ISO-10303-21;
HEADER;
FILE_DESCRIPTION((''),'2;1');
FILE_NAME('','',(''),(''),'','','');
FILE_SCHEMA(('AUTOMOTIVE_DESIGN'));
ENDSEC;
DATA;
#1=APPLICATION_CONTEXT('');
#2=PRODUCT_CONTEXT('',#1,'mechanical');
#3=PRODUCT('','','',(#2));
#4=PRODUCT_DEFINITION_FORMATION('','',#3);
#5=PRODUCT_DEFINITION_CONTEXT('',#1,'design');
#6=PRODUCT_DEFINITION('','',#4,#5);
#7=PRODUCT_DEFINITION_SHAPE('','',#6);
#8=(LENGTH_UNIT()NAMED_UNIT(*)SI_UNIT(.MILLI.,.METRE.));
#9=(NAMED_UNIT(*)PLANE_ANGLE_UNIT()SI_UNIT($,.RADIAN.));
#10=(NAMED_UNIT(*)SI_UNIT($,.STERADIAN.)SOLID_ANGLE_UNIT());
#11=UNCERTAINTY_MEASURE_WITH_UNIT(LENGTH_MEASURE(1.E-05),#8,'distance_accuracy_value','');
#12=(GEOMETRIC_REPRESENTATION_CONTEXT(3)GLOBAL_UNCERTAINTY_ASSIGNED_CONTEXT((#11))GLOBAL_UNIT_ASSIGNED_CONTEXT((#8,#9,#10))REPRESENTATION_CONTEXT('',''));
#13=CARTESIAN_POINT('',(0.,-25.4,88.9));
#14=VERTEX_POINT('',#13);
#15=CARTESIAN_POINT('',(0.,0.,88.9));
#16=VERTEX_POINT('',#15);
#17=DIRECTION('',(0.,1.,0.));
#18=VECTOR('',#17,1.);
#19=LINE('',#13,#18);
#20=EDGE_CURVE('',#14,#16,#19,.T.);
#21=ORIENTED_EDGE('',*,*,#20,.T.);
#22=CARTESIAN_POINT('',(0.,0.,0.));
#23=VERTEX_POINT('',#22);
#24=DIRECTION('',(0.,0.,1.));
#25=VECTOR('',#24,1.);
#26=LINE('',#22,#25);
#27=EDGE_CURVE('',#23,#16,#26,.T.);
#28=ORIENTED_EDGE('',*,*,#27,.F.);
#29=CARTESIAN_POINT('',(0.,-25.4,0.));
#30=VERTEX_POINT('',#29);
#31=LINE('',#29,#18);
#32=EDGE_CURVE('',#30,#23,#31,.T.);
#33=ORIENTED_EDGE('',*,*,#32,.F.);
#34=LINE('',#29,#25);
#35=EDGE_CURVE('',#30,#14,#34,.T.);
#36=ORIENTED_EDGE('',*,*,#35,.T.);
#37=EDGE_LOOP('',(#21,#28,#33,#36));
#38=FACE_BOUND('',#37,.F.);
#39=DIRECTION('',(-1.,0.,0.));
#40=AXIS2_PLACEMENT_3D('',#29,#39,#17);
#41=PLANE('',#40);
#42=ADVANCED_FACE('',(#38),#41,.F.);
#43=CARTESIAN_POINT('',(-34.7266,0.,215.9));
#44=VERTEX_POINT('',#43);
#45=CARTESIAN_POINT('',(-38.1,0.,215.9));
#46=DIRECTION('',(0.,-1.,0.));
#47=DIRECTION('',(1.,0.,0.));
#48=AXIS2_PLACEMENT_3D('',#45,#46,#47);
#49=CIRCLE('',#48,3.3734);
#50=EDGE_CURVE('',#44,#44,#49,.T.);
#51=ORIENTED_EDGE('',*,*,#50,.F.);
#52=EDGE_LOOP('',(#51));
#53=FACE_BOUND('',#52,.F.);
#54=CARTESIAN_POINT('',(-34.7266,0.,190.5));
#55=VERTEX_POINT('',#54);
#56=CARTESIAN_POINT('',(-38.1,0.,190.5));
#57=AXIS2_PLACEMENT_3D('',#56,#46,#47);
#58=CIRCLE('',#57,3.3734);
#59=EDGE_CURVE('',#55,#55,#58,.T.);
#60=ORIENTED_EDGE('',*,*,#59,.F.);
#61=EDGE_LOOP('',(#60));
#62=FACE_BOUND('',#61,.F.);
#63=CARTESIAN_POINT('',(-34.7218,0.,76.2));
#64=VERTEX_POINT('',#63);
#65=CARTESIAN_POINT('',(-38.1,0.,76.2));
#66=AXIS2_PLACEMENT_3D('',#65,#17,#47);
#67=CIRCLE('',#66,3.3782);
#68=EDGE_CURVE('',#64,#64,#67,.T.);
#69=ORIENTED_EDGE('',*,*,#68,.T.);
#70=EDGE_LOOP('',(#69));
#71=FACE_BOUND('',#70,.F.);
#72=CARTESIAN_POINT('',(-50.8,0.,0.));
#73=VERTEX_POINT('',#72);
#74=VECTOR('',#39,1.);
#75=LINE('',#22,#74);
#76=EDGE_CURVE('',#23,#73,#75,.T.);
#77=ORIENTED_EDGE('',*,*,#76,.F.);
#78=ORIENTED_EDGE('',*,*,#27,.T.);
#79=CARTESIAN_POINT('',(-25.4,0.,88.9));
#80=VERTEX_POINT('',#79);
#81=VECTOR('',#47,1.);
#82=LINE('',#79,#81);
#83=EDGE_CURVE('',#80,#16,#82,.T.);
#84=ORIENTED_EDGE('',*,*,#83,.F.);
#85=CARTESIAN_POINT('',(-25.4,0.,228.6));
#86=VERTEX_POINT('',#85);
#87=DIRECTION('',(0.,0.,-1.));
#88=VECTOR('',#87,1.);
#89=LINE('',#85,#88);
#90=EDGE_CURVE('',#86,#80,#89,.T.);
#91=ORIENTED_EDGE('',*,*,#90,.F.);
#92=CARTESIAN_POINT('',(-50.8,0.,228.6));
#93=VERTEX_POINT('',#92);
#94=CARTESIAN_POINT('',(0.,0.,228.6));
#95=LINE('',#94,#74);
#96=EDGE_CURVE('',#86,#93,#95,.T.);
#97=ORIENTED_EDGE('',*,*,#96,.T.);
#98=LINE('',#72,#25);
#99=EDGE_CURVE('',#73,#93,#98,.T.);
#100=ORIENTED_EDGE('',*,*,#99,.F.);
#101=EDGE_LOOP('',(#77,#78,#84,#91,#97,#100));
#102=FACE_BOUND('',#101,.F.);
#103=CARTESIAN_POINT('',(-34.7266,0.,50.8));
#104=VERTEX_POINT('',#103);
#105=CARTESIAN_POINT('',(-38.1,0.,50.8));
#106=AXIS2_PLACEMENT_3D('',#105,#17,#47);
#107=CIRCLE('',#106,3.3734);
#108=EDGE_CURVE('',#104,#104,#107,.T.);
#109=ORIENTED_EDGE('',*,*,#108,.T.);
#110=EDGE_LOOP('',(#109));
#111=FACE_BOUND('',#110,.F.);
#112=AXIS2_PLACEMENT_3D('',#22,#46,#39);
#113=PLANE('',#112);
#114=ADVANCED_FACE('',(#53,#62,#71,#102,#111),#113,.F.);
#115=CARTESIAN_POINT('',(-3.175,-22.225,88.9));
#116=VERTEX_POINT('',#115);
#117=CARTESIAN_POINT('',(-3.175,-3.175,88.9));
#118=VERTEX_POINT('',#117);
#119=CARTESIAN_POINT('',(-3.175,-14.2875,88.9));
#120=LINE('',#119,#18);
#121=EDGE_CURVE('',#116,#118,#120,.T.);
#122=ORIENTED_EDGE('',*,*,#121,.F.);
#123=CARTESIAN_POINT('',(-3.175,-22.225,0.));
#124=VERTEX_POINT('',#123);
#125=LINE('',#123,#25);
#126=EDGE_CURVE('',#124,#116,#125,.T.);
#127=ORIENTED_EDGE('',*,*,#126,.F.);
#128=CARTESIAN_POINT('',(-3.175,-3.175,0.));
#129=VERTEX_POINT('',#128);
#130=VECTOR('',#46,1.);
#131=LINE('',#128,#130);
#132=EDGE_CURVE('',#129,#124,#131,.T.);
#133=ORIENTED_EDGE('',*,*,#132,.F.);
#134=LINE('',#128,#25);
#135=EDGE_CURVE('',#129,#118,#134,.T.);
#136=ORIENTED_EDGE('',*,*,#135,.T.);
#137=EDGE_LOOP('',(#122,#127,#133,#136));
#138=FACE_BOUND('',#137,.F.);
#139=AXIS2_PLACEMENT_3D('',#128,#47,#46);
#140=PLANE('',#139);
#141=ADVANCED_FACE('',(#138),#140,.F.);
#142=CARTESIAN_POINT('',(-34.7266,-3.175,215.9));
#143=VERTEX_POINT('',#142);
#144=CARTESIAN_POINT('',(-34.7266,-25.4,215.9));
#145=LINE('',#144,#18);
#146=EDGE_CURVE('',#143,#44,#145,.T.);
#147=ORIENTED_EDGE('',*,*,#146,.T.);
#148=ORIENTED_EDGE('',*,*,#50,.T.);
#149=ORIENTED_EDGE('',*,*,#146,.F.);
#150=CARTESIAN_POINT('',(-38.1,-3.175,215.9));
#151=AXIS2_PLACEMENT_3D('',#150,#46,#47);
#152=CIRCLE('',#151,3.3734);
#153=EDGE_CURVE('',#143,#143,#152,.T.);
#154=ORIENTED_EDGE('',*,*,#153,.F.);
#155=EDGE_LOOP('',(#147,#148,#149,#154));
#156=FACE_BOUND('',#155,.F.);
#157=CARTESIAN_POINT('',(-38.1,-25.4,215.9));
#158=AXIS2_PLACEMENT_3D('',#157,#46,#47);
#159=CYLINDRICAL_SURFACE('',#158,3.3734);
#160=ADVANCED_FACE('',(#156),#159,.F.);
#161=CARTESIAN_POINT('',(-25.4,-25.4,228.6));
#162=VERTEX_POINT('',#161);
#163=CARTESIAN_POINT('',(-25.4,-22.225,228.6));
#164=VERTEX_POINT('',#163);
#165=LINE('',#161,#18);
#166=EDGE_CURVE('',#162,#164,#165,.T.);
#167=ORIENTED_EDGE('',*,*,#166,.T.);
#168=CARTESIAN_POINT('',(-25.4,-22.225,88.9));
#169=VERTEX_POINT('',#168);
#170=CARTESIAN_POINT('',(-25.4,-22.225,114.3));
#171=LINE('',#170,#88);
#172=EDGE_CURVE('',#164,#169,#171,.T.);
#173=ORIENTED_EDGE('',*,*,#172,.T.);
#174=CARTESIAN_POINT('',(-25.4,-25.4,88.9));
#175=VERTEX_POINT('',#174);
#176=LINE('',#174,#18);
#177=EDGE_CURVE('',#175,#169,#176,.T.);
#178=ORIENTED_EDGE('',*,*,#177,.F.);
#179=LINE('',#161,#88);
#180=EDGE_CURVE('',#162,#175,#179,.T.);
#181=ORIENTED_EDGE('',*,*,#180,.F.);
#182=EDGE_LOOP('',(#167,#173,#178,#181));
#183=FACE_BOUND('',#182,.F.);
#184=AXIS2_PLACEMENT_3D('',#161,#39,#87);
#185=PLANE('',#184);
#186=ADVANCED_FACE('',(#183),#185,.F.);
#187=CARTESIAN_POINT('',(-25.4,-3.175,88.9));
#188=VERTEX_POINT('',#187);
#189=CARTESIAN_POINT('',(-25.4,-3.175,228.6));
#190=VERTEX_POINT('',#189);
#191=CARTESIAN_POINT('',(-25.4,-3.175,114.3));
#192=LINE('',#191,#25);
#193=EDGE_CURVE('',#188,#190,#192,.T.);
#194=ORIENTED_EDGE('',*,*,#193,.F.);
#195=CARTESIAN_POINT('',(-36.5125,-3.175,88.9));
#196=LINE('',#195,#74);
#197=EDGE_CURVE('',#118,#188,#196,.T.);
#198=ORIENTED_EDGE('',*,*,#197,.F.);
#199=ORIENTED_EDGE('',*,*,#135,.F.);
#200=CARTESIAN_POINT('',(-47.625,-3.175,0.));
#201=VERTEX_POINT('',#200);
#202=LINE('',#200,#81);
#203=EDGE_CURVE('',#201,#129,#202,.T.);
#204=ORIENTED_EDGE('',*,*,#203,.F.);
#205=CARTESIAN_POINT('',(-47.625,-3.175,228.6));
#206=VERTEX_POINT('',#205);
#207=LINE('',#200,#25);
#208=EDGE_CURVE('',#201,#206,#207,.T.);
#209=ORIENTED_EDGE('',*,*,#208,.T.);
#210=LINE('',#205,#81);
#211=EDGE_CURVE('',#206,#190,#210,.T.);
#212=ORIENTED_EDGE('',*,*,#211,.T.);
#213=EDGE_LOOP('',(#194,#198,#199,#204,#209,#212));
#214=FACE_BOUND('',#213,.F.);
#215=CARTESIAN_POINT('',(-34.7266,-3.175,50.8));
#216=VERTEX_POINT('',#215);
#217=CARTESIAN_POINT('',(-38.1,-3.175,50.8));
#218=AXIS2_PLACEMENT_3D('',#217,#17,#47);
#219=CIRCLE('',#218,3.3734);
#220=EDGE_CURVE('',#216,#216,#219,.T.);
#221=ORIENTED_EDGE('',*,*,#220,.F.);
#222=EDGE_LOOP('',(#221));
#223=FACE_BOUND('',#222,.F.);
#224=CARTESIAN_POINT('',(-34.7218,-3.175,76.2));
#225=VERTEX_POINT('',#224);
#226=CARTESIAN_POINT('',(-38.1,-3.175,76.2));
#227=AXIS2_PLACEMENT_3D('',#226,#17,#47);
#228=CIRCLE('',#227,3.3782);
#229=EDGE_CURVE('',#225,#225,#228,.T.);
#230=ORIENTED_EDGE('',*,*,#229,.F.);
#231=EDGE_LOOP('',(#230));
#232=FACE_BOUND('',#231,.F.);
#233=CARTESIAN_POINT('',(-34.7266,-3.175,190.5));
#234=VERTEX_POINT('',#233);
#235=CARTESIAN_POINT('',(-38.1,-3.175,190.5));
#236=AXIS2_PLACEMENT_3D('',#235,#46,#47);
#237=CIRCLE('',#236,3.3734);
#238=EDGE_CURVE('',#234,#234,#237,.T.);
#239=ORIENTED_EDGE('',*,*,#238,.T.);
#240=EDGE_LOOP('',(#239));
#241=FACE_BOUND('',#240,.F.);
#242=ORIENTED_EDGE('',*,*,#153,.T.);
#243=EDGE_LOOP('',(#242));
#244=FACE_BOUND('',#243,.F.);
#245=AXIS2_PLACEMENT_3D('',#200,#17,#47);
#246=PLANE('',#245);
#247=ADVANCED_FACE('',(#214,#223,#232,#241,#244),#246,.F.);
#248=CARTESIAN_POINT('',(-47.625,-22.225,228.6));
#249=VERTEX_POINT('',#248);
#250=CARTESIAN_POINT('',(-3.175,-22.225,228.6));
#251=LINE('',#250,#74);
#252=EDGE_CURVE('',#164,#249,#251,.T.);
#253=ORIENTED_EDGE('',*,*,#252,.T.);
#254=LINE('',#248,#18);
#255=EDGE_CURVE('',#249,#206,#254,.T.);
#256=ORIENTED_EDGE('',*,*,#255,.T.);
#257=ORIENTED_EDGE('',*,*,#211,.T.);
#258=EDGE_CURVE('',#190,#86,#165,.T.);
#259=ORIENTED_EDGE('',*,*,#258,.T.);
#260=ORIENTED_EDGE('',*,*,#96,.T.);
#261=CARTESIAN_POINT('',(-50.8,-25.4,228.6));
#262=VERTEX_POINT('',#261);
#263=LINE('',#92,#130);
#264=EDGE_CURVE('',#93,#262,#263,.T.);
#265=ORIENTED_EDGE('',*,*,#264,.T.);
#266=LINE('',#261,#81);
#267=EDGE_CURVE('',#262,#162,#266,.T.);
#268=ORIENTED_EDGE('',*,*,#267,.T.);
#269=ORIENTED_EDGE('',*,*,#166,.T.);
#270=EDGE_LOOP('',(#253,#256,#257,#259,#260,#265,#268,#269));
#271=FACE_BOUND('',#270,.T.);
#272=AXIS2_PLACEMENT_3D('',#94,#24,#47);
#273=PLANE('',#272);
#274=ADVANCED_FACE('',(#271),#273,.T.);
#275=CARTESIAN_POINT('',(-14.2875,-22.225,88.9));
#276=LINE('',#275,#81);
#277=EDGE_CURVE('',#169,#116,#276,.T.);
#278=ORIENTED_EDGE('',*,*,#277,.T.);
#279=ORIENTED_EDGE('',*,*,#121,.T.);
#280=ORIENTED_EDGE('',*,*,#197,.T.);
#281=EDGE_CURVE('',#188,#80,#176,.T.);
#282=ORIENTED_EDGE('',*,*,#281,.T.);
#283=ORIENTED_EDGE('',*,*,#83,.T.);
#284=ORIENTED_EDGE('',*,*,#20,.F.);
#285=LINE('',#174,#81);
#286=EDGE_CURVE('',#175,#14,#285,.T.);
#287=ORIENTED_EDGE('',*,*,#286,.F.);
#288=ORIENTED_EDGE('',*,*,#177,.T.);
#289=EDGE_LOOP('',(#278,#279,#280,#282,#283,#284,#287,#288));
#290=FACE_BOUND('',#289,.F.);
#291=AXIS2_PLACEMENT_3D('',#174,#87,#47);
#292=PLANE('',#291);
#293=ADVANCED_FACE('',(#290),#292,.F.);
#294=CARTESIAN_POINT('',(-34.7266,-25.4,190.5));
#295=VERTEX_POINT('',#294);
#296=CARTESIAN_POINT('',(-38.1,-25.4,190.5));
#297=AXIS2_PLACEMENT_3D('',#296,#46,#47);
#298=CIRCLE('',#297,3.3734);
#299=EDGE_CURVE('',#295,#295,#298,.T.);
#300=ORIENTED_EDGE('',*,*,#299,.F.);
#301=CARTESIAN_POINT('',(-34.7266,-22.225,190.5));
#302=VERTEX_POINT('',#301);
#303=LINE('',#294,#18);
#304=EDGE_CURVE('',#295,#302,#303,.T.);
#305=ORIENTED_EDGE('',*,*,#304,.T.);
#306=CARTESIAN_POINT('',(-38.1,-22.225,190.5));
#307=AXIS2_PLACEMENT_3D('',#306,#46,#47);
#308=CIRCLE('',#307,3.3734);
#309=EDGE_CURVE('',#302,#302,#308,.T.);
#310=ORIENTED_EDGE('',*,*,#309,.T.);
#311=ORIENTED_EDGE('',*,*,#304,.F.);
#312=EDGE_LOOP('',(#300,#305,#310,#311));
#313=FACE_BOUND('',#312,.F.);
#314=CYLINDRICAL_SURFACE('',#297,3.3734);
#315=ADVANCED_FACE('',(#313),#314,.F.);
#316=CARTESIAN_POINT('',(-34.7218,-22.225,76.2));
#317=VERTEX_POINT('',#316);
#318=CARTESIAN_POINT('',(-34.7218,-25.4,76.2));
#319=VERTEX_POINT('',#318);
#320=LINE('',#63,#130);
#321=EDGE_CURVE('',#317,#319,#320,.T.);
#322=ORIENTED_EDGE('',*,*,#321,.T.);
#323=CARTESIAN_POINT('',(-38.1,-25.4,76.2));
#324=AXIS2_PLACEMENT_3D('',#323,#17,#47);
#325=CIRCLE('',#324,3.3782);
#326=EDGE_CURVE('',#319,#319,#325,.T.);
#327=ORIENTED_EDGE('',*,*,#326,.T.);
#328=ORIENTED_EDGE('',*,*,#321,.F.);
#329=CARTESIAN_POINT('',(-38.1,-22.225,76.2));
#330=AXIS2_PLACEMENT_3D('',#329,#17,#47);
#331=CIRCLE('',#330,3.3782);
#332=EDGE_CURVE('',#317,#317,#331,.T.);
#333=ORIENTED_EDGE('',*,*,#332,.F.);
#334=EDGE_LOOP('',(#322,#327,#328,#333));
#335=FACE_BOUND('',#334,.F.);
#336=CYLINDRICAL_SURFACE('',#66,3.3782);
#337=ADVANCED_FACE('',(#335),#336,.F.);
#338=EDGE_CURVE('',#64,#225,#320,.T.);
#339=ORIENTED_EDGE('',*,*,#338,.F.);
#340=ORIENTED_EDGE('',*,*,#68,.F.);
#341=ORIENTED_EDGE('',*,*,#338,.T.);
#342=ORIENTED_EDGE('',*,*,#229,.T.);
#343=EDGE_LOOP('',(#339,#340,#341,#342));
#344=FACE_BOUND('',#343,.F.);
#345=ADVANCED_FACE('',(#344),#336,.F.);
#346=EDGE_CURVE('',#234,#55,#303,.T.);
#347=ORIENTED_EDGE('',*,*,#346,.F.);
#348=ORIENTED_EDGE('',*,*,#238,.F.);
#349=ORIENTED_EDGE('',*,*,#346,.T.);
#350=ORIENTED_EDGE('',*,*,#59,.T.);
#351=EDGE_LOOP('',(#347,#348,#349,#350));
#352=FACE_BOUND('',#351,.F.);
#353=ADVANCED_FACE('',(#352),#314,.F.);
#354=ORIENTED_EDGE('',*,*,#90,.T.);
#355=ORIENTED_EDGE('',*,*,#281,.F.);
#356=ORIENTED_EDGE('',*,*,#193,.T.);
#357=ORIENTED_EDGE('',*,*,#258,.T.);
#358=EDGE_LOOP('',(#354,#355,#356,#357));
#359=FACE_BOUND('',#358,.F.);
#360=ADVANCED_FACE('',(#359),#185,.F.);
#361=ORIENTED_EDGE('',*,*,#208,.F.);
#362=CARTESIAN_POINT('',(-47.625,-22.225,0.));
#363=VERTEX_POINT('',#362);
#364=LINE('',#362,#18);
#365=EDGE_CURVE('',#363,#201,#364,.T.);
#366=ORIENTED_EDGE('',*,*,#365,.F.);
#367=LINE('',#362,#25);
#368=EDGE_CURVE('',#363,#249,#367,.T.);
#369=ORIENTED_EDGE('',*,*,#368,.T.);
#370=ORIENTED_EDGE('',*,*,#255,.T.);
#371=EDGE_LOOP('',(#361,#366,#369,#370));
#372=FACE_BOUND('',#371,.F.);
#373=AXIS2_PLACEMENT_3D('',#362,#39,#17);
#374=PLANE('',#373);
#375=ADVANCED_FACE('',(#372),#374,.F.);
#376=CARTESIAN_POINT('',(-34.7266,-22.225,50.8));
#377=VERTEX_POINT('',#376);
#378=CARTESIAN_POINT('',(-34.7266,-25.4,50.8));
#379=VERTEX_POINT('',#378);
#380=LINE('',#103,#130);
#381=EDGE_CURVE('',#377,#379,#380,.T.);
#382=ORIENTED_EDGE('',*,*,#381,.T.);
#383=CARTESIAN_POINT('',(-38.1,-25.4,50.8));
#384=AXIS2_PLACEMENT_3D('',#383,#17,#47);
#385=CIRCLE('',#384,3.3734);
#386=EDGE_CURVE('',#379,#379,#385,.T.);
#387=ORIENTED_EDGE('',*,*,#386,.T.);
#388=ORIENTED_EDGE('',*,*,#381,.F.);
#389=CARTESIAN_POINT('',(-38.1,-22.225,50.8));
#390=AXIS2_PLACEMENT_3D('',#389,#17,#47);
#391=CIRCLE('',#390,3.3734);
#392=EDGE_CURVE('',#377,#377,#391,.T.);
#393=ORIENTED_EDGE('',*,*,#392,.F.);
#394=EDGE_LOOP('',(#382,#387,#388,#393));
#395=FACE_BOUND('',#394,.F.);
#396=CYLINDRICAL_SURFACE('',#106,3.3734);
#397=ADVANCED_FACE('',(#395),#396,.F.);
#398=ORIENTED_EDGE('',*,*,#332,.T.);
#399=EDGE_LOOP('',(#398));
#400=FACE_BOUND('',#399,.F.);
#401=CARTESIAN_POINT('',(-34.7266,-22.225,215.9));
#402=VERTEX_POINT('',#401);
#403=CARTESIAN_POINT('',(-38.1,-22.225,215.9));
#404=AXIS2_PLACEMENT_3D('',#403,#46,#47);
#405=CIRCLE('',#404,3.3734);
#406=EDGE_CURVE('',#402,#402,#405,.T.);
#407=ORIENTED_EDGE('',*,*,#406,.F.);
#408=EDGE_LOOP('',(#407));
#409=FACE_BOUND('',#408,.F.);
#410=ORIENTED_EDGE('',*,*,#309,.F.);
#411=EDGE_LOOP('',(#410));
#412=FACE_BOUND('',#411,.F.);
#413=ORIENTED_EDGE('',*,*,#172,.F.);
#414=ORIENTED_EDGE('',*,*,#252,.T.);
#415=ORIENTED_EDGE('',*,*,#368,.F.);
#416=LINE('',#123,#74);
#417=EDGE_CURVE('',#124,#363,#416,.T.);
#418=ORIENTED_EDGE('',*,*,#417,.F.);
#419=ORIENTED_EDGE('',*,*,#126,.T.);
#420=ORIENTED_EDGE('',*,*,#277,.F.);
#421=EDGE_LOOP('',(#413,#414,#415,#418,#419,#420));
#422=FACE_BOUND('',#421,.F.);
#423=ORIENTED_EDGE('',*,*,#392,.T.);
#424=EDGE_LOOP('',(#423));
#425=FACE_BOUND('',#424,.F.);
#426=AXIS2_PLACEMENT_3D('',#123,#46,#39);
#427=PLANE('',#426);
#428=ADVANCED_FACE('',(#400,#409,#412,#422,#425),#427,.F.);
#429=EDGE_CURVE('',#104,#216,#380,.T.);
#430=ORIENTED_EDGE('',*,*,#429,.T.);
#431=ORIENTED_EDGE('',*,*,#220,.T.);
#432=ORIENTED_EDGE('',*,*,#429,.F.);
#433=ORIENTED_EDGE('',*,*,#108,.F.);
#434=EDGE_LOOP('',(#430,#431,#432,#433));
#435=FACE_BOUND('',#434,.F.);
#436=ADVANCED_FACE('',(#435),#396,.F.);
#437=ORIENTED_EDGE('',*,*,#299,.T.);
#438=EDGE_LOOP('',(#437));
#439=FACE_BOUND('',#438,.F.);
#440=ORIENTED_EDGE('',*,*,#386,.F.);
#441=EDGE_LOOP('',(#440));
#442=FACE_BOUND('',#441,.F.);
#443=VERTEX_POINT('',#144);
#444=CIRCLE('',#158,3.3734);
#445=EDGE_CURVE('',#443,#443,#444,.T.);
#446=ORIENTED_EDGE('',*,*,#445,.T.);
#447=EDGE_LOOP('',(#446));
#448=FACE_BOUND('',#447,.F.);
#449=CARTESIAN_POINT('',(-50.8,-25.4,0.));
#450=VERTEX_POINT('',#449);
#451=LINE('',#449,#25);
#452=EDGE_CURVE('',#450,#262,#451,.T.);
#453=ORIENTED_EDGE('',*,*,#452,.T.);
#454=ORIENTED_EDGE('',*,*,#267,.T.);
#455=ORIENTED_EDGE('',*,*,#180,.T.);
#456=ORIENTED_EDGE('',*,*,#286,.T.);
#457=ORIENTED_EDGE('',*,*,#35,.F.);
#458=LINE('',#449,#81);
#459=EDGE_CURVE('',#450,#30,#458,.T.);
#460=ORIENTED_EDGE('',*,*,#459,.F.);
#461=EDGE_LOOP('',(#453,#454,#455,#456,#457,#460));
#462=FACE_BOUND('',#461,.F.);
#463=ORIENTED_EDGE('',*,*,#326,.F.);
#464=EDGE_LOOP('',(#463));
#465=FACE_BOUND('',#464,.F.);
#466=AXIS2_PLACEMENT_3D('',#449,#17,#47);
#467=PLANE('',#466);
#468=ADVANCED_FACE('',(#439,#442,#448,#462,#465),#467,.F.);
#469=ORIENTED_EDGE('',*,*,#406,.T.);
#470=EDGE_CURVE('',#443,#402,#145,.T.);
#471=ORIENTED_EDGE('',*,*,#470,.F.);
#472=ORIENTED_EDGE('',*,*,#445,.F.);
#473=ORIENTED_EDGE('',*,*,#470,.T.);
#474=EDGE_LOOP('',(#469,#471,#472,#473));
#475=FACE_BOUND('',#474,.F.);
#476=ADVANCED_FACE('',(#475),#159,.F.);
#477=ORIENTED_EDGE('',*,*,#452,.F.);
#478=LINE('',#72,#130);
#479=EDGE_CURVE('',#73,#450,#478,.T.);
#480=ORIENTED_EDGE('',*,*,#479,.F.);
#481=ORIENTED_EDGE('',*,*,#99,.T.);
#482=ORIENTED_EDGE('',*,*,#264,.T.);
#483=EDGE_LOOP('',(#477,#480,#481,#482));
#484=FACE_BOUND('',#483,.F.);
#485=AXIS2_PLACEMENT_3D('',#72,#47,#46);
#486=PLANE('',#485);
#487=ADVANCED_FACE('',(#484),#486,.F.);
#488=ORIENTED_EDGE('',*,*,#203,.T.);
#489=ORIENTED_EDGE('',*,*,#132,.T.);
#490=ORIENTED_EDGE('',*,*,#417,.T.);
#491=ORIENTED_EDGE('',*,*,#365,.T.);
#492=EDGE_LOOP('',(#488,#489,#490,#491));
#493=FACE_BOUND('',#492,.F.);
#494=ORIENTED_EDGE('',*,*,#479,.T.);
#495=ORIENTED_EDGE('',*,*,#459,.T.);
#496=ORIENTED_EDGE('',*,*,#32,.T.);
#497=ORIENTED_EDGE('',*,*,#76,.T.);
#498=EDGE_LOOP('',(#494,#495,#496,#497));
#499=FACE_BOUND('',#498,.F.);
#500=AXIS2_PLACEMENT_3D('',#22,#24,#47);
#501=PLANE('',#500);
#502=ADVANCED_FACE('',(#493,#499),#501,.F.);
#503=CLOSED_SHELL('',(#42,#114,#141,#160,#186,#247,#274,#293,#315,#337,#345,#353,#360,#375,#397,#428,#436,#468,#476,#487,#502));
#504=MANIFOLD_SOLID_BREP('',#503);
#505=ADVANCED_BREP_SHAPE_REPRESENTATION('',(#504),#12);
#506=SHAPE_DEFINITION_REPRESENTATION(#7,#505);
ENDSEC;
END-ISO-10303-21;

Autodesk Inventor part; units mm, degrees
ref_plane "YZ Plane" through (0, 0, 0) normal (1, 0, 0) x (0, 1, 0)
ref_plane "XZ Plane" through (0, 0, 0) normal (0, 1, 0) x (-1, 0, 0)
ref_plane "XY Plane" through (0, 0, 0) normal (0, 0, 1) x (1, 0, 0)
sketch "Sketch1" plane through (0, 0, 0) normal (0, 0, 1) x (1, 0, 0)
  line L0 (0, 0) -> (-50.8, 0)
  line L1 (-50.8, 0) -> (-50.8, -25.4)
  line L2 (-50.8, -25.4) -> (0, -25.4)
  line L3 (0, -25.4) -> (0, 0)
  line L4 (-3.175, -22.225) -> (-47.625, -22.225)
  line L5 (-47.625, -22.225) -> (-47.625, -3.175)
  line L6 (-47.625, -3.175) -> (-3.175, -3.175)
  line L7 (-3.175, -3.175) -> (-3.175, -22.225)
  dimension "d0" = 50.8
  dimension "d1" = 25.4
  dimension "d2" = 3.175
extrude "Extrusion1" add sketch "Sketch1" along normal blind 228.6
sketch "Sketch2" plane through (-50.8, -25.4, 0) normal (0, -1, 0) x (1, 0, 0)
  line L0 (0, 228.6) -> (50.8, 228.6) projected
  line L1 (50.8, 228.6) -> (25.4, 228.6)
  line L2 (25.4, 228.6) -> (25.4, 88.9)
  line L3 (25.4, 88.9) -> (50.8, 88.9)
  line L4 (50.8, 88.9) -> (50.8, 228.6)
  point P0 (50.8, 0)
  dimension "d5" = 25.4
  dimension "d6" = 139.7
extrude "Extrusion2" cut sketch "Sketch2" against normal blind 25.4
sketch "Sketch3" plane through (-50.8, -25.4, 0) normal (0, -1, 0) x (1, 0, 0)
  circle A0 centre (12.7, 215.9) radius 3.3734
  circle A1 centre (12.7, 190.5) radius 3.3734
  line L0 (25.4, 88.9) -> (25.4, 228.6) projected
  line L1 (0, 228.6) -> (25.4, 228.6) projected
  point P0 (50.8, 0)
  dimension "d9" = 6.7469
  dimension "d10" = 6.7469
  dimension "d11" = 12.7
  dimension "d12" = 12.7
  dimension "d13" = 12.7
  dimension "d14" = 38.1
extrude "Extrusion3" cut sketch "Sketch3" against normal blind 25.4
sketch "Sketch4" plane through (-50.8, 0, 0) normal (0, 1, 0) x (1, 0, 0)
  circle A0 centre (12.7, -50.8) radius 3.3734
  circle A1 centre (12.7, -76.2) radius 3.3782
  line L0 (50.8, 0) -> (0, 0) projected
  line L1 (0, 0) -> (0, -228.6) projected
  dimension "d17" = 6.7469
  dimension "d18" = 6.7564
  dimension "d19" = 50.8
  dimension "d20" = 12.7
  dimension "d21" = 12.7
  dimension "d22" = 25.4
extrude "Extrusion4" cut sketch "Sketch4" against normal blind 25.4
properties part number "vertical support" material "Aluminum 6061"
